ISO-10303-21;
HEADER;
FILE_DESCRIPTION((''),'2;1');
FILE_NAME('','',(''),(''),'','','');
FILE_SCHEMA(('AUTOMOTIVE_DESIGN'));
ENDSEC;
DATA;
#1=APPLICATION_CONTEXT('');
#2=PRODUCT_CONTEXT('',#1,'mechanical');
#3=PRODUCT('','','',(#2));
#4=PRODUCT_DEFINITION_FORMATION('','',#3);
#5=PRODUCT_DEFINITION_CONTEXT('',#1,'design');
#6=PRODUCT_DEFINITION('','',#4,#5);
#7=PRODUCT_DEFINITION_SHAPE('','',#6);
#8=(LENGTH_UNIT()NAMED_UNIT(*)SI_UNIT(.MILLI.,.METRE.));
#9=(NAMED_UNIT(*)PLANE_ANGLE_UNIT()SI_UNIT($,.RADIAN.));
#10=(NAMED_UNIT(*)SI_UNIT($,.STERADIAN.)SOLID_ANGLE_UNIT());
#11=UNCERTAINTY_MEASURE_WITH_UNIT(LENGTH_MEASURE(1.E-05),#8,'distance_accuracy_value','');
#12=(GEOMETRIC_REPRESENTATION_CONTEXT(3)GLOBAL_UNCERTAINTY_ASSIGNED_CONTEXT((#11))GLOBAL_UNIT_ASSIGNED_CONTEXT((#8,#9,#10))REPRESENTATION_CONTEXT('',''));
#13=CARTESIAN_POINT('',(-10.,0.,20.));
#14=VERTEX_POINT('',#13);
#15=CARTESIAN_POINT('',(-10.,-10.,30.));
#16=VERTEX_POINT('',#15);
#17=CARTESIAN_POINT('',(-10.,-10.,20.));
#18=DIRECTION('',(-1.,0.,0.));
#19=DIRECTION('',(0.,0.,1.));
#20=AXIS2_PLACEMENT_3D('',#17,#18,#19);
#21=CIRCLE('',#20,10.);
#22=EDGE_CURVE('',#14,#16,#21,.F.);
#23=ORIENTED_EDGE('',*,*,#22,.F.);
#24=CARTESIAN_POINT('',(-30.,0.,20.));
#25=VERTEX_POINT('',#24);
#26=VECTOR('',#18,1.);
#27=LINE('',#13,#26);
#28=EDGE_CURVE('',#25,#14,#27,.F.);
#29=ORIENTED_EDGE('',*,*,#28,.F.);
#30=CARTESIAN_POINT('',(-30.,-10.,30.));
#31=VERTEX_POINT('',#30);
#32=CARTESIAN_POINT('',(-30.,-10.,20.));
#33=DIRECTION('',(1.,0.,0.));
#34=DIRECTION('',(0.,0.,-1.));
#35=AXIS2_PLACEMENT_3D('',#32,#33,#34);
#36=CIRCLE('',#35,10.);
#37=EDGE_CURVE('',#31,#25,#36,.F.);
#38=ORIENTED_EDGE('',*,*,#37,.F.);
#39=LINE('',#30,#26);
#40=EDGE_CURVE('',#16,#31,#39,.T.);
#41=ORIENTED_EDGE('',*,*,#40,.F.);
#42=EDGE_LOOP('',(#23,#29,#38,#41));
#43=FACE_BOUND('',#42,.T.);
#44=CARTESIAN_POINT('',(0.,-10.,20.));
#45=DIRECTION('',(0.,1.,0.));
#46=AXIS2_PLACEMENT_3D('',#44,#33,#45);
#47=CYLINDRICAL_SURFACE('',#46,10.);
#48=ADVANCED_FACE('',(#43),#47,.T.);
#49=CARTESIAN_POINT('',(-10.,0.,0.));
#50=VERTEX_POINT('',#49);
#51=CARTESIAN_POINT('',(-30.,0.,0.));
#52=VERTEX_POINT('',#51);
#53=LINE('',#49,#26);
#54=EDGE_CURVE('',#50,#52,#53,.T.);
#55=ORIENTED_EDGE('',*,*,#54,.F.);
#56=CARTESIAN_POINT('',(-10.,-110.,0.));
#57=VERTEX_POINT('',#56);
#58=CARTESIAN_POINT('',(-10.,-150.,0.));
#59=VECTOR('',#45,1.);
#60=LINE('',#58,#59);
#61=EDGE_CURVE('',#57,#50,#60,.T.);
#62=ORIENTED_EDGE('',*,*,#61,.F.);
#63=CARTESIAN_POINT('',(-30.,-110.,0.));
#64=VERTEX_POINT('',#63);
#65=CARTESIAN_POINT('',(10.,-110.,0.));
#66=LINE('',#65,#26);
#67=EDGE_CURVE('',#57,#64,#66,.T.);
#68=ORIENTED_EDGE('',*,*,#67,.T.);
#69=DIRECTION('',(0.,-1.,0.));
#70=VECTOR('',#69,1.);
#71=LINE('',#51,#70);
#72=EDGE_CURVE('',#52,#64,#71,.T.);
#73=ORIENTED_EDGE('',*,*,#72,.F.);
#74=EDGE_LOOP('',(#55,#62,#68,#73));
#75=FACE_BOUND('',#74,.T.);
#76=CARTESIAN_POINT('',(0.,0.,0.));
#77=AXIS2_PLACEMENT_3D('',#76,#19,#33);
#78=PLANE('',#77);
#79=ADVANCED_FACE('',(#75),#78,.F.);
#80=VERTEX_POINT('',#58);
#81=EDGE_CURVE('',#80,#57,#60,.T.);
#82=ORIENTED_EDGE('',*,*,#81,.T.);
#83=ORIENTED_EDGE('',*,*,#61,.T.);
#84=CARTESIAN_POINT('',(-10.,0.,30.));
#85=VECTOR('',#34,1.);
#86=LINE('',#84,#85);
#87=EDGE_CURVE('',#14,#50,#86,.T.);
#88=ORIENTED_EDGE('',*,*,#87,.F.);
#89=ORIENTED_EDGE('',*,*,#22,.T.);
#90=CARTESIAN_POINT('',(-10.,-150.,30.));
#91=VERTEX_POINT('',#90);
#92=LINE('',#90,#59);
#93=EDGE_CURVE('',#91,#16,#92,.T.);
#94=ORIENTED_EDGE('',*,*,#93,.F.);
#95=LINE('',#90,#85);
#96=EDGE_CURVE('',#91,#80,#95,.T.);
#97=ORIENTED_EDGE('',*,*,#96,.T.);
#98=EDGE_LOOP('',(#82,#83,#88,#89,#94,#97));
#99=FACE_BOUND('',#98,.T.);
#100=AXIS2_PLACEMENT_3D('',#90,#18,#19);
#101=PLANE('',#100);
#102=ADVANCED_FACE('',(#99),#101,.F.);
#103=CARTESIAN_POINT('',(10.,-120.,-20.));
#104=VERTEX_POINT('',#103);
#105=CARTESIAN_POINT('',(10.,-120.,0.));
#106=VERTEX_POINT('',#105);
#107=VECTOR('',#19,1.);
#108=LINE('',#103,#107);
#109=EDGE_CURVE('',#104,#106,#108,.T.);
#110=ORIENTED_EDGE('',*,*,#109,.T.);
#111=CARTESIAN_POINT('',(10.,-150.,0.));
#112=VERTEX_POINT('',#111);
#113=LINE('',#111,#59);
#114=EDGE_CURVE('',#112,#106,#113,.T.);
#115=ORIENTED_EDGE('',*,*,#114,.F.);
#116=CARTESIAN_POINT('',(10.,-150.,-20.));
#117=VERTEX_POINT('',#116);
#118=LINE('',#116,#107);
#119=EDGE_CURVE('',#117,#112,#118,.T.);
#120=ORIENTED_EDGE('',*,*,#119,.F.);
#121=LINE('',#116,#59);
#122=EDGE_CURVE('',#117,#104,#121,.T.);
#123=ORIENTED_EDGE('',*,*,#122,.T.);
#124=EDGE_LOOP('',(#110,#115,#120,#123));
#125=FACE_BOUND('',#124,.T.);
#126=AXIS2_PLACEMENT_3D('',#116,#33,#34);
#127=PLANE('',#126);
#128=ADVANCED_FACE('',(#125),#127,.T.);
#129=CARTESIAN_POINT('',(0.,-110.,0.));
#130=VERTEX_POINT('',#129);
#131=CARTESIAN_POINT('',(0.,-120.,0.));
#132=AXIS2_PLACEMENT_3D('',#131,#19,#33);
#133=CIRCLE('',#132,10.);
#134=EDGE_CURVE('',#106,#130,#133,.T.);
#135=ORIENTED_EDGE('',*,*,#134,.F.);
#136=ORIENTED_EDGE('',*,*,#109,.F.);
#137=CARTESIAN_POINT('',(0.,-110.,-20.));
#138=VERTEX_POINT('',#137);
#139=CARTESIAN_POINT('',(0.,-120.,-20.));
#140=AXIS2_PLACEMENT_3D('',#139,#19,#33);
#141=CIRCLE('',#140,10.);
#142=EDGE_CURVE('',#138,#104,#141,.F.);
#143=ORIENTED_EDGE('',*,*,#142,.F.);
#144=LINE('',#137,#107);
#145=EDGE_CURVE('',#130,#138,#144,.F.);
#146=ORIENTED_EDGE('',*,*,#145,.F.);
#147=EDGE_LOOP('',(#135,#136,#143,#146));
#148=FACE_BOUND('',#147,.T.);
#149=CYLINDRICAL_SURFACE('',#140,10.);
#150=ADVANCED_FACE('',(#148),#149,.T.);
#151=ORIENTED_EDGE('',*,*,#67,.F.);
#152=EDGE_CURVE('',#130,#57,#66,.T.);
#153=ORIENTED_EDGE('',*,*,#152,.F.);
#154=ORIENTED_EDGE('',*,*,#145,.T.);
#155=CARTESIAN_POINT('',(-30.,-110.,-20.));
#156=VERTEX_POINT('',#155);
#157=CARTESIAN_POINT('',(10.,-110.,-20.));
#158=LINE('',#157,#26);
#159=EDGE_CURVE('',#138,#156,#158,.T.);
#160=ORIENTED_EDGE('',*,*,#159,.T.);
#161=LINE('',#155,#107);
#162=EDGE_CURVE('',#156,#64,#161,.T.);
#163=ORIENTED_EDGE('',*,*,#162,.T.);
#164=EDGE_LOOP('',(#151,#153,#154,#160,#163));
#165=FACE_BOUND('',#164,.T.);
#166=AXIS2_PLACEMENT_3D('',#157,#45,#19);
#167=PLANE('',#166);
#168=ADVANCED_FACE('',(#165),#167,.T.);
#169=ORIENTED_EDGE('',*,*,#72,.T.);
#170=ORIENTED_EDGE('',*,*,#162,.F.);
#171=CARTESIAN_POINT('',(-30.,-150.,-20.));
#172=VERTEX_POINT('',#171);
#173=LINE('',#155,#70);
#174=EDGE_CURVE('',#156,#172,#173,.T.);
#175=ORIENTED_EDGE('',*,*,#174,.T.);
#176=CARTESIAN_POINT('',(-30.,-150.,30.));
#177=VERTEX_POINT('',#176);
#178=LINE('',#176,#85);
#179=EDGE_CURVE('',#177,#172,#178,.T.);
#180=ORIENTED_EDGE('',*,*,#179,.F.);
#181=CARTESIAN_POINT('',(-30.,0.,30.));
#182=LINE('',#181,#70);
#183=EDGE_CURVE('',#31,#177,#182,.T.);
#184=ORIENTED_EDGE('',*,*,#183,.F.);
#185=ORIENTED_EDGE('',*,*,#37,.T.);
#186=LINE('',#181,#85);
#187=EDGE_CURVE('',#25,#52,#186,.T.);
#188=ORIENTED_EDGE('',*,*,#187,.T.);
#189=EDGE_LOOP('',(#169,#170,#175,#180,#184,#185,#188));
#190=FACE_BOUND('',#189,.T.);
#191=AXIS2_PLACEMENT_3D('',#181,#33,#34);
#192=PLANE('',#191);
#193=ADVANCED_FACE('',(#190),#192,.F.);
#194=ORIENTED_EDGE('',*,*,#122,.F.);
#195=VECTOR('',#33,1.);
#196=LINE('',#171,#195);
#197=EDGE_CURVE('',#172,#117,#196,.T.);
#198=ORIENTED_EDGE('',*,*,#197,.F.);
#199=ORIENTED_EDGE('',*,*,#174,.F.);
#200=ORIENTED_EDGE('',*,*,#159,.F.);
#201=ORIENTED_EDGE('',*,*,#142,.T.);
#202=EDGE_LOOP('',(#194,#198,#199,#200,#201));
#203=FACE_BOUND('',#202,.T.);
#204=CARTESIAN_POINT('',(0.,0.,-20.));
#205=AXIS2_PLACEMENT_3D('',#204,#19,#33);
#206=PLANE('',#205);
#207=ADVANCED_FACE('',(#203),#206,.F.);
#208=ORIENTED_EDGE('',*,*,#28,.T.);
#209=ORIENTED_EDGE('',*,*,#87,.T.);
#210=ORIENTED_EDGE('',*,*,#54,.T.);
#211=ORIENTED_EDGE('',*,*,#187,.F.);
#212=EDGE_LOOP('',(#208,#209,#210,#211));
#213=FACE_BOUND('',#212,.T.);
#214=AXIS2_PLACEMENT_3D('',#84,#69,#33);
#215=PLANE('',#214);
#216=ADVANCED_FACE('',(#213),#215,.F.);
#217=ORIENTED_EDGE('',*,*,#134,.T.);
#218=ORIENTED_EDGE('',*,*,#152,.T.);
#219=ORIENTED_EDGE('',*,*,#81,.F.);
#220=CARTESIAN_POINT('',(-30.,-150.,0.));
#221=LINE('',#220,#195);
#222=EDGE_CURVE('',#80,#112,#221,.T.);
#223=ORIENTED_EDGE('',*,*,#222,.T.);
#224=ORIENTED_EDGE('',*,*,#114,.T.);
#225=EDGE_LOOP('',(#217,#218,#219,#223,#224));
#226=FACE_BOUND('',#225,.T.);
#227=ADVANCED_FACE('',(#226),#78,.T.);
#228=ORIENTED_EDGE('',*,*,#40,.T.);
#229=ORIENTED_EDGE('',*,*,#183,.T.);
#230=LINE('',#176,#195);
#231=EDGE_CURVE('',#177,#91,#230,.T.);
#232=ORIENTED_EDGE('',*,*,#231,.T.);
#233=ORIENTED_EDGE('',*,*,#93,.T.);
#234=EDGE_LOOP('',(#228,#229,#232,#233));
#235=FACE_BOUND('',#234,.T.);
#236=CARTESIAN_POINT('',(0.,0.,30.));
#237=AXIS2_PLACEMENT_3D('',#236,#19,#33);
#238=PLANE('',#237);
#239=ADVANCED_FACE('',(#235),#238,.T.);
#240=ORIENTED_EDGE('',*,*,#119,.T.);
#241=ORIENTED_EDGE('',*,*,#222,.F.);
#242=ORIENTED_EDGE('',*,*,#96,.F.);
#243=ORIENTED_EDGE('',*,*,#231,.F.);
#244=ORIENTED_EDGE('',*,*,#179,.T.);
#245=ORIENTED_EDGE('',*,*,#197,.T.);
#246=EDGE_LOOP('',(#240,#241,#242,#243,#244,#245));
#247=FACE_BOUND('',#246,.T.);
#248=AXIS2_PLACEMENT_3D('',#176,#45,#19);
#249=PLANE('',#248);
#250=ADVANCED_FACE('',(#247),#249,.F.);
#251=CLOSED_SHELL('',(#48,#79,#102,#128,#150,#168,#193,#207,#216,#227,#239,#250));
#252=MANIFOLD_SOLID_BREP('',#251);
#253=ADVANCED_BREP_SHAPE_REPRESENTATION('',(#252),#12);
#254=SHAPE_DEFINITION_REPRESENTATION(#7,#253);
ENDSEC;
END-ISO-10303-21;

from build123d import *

# Parameters (mm, degrees)
SKETCH1_W           = 20
SKETCH1_H           = 150
BOSS_EXTRUDE1_DEPTH = 30
SKETCH2_W           = 40
SKETCH2_H           = 40
BOSS_EXTRUDE2_DEPTH = 20
FILLET1_R           = 10


with BuildPart() as part:
    # Sketch1 → Boss-Extrude1 (new body)
    with BuildSketch(Plane.XY):
        with Locations((-20, -75)):
            Rectangle(SKETCH1_W, SKETCH1_H)
    extrude(amount=BOSS_EXTRUDE1_DEPTH)

    # Sketch2 → Boss-Extrude2 (add)
    with BuildSketch(Plane.XY):
        with Locations((-10, -130)):
            Rectangle(SKETCH2_W, SKETCH2_H)
    extrude(amount=-BOSS_EXTRUDE2_DEPTH)

    # Fillet1
    fillet1_edges = [part.edges().sort_by_distance(p)[0] for p in [
        (10, -110, -10),
        (-20, 0, 30),
    ]]
    fillet(fillet1_edges, radius=FILLET1_R)


solid = part.part
